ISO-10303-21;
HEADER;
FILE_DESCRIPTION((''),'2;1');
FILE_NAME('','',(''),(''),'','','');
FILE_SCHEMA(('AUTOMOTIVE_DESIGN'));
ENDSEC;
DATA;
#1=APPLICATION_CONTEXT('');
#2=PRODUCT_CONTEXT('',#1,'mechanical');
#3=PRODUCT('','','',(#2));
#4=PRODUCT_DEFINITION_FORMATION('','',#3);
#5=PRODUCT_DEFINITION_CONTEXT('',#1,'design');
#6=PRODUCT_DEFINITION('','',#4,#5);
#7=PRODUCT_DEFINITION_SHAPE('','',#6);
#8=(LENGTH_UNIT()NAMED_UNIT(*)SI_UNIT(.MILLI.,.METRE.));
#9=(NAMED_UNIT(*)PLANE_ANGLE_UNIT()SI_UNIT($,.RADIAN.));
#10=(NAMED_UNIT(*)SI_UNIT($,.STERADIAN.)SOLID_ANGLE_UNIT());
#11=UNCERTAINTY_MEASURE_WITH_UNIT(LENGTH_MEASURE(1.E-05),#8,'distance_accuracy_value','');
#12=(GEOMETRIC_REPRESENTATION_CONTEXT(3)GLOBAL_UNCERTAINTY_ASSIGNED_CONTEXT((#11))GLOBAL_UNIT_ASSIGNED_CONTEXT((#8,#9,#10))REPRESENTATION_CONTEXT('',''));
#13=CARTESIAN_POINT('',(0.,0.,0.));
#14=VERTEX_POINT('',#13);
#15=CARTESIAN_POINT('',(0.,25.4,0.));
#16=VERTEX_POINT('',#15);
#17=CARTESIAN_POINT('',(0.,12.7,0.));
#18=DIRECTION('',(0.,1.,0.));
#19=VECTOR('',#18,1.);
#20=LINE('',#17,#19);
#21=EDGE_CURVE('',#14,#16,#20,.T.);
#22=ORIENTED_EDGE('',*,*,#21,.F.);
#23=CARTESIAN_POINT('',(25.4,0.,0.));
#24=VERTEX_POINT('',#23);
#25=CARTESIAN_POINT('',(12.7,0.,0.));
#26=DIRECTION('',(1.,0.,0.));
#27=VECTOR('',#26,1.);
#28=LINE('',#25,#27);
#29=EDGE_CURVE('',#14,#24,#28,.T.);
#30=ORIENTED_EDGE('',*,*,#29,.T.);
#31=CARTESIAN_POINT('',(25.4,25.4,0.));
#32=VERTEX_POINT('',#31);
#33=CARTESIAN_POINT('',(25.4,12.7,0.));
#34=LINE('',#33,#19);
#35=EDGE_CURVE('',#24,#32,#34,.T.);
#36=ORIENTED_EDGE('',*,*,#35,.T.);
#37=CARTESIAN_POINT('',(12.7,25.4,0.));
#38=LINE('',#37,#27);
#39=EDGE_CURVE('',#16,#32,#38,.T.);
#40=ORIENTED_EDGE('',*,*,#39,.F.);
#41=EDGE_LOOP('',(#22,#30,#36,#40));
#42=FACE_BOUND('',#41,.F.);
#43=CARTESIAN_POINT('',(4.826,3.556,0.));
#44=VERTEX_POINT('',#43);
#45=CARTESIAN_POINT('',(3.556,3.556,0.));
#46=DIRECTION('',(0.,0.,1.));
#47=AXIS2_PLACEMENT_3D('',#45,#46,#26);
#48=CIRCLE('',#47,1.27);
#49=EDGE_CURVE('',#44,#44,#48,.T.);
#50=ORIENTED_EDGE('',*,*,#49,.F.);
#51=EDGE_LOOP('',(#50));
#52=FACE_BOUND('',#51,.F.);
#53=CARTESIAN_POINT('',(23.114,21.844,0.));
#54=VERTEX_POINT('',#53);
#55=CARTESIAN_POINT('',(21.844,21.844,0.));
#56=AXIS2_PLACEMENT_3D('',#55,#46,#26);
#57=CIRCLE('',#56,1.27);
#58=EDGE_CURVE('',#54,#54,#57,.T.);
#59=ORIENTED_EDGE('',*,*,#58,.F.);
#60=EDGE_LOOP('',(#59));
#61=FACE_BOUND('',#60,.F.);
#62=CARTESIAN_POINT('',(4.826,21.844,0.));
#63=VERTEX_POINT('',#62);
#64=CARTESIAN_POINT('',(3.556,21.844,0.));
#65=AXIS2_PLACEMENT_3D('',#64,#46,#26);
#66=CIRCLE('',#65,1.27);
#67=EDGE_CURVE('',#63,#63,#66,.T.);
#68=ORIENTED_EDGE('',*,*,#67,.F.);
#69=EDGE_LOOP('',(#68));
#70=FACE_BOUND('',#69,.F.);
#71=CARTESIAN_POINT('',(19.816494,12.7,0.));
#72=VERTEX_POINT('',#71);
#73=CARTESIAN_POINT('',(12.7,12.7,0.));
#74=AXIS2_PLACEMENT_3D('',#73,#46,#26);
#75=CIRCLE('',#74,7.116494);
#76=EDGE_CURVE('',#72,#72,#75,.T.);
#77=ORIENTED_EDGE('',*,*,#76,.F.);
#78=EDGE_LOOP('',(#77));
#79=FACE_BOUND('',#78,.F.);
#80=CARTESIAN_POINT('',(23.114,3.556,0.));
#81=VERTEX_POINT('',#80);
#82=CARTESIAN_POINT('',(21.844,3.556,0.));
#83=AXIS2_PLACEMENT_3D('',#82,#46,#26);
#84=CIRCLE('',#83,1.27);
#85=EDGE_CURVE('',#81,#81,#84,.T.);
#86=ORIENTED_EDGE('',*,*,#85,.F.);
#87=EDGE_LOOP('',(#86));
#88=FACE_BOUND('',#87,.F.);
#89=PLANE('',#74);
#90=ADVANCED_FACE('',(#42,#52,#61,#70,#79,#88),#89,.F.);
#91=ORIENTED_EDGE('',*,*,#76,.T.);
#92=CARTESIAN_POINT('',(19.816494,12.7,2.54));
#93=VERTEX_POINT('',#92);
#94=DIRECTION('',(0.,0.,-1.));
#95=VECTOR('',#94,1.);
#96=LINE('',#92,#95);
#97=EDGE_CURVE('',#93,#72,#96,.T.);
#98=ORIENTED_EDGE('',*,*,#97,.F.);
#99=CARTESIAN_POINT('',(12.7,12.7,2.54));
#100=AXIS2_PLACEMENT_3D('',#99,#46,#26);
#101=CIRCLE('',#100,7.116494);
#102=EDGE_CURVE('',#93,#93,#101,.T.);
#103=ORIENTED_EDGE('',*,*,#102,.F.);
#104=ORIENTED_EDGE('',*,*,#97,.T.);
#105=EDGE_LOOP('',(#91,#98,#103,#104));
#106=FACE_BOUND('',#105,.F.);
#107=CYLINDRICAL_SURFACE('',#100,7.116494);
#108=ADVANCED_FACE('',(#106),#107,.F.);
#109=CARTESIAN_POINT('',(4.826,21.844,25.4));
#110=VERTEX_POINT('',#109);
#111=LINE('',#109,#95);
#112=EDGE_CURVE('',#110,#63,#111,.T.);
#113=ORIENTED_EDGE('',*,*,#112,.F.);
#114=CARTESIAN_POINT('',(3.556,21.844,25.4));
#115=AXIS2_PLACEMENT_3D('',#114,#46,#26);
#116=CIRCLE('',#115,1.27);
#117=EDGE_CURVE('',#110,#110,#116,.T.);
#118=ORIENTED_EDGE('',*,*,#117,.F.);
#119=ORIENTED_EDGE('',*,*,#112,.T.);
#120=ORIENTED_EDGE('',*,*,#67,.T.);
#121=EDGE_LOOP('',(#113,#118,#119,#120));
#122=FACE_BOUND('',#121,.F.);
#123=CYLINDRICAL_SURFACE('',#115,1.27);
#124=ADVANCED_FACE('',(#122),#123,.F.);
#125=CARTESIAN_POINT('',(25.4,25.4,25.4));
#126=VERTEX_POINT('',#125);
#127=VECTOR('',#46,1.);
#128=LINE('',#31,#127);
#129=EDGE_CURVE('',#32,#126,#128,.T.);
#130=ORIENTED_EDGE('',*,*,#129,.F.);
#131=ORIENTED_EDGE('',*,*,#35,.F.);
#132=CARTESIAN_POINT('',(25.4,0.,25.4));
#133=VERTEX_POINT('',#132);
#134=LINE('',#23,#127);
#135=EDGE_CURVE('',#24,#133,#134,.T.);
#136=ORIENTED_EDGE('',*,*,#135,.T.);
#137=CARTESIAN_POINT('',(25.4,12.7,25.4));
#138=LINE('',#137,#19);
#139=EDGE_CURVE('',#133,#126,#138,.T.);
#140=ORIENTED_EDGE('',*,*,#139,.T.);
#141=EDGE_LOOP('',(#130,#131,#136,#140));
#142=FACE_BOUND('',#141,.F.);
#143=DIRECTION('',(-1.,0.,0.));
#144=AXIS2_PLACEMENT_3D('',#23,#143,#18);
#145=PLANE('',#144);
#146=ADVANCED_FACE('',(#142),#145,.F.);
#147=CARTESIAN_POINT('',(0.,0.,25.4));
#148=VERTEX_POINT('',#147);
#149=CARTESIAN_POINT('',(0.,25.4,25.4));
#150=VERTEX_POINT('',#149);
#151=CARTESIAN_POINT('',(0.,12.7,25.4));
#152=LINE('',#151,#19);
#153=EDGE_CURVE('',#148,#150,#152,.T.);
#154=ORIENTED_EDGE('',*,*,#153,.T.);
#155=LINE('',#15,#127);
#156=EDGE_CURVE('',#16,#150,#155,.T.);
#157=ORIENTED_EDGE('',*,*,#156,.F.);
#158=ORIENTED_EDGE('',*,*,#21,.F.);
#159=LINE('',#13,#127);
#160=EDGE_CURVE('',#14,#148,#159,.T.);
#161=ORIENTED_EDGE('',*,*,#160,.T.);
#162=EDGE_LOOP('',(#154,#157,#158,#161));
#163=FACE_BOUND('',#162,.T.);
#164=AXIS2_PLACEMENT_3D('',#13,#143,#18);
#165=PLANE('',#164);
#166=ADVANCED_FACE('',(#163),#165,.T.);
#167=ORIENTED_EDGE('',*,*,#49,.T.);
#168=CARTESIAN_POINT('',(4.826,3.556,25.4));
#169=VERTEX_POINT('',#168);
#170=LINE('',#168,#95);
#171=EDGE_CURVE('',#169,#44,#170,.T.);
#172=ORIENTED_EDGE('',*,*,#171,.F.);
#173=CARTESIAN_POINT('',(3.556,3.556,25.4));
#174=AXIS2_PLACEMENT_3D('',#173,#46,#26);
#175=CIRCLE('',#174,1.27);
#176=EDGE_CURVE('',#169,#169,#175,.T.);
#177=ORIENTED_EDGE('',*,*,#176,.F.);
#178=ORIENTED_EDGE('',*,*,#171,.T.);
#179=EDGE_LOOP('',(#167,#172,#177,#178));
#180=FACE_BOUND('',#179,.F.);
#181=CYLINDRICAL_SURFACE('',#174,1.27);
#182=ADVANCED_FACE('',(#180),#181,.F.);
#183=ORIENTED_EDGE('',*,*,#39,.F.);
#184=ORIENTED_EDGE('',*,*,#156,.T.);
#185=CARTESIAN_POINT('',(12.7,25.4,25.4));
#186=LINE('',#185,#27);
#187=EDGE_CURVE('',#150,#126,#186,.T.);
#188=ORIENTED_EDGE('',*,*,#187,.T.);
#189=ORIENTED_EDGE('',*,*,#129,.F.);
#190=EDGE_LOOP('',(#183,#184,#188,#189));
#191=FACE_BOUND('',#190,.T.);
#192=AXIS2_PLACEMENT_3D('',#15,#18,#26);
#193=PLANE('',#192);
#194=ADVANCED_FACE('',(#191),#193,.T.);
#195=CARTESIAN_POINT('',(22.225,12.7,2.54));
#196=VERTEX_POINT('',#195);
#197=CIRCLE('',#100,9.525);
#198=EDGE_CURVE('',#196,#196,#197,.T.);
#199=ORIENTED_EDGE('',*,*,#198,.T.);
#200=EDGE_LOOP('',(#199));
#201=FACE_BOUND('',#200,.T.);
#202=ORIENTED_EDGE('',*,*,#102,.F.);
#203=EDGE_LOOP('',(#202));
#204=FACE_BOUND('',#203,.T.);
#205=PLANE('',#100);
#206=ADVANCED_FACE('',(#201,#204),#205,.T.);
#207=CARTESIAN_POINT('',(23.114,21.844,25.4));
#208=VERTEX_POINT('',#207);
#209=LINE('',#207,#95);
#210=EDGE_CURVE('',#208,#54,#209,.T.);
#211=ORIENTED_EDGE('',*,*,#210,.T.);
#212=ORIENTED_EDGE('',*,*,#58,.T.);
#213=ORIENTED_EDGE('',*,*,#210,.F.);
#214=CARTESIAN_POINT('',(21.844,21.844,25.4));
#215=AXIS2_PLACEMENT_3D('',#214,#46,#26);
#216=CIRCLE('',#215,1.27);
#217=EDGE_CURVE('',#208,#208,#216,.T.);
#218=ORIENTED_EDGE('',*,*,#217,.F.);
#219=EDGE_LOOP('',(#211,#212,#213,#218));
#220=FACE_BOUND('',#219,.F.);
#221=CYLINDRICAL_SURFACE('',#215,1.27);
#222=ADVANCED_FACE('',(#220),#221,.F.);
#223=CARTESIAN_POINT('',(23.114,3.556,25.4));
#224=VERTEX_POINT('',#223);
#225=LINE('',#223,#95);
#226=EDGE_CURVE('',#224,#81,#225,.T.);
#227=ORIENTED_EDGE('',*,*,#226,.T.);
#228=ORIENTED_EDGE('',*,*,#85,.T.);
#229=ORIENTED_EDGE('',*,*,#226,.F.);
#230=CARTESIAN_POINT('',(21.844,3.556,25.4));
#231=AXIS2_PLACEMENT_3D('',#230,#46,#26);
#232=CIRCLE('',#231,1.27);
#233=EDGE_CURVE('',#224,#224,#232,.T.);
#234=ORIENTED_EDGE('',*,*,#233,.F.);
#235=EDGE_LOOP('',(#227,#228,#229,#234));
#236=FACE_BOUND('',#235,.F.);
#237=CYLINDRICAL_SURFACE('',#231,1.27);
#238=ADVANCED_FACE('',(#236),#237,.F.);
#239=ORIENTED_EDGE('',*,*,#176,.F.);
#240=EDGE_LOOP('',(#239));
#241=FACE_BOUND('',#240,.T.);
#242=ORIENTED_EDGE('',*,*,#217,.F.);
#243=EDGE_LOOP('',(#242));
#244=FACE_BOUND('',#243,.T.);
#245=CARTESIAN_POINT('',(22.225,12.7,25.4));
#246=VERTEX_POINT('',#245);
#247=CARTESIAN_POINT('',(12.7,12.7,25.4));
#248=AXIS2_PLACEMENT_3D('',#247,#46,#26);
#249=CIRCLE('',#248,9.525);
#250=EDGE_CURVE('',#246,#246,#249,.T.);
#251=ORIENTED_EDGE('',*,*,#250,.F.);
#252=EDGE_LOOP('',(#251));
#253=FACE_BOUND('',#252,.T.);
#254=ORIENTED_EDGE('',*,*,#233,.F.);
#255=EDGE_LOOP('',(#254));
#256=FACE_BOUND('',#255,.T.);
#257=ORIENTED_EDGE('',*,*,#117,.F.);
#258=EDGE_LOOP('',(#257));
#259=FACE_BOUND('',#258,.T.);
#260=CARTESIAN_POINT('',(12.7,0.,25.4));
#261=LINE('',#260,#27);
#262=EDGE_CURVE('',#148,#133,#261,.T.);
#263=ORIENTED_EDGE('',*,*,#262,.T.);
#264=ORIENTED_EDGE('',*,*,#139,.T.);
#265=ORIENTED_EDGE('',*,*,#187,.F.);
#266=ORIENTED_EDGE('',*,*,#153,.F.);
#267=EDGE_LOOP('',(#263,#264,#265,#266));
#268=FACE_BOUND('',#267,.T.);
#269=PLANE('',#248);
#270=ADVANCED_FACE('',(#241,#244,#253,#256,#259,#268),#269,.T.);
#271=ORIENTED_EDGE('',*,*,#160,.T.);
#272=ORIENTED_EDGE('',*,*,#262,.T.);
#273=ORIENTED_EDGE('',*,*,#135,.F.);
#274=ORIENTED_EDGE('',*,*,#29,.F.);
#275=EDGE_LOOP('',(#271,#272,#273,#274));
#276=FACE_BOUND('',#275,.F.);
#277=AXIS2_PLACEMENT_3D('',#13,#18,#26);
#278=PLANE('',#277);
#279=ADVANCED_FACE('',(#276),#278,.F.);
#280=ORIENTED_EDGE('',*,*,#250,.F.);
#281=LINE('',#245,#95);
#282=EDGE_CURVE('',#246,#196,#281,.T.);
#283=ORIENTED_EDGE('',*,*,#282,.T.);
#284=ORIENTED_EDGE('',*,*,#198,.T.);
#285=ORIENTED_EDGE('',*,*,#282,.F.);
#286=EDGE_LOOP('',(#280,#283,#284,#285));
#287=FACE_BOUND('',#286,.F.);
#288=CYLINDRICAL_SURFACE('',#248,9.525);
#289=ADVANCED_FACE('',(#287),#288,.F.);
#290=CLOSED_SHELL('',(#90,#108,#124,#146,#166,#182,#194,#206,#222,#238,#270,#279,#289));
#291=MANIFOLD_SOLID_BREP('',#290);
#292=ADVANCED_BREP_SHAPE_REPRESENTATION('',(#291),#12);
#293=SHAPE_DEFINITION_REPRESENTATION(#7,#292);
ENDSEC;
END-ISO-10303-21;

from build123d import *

# Parameters (mm, degrees)
F0_W     = 25.4
F0_H     = 25.4
F1_DEPTH = 25.4
F2_R     = 9.525
F3_DEPTH = 22.86
F4_R     = 7.116494
F5_DEPTH = 2.541
F6_R     = 1.27
F7_DEPTH = 25.401


with BuildPart() as f1:
    # F0 (on Top) → F1 (new body)
    with BuildSketch(Plane.XY):
        with Locations((12.7, 12.7)):
            Rectangle(F0_W, F0_H)
    extrude(amount=F1_DEPTH)

    # F2 (on face) → F3 (cut)
    with BuildSketch(Plane.XY.offset(25.4)):
        with Locations((12.7, 12.7)):
            Circle(F2_R)
    extrude(amount=-F3_DEPTH, mode=Mode.SUBTRACT)

    # F4 (on face) → F5 (cut, through all)
    with BuildSketch(Plane.XY.offset(2.54)):
        with Locations((12.7, 12.7)):
            Circle(F4_R)
    extrude(amount=-F5_DEPTH, mode=Mode.SUBTRACT)

    # F6 (on face) → F7 (cut, through all)
    with BuildSketch(Plane.XY.offset(25.4)):
        with Locations((21.844, 3.556)):
            Circle(F6_R)
        with Locations((21.844, 21.844)):
            Circle(F6_R)
        with Locations((3.556, 21.844)):
            Circle(F6_R)
        with Locations((3.556, 3.556)):
            Circle(F6_R)
    extrude(amount=-F7_DEPTH, mode=Mode.SUBTRACT)


solid = f1.part
